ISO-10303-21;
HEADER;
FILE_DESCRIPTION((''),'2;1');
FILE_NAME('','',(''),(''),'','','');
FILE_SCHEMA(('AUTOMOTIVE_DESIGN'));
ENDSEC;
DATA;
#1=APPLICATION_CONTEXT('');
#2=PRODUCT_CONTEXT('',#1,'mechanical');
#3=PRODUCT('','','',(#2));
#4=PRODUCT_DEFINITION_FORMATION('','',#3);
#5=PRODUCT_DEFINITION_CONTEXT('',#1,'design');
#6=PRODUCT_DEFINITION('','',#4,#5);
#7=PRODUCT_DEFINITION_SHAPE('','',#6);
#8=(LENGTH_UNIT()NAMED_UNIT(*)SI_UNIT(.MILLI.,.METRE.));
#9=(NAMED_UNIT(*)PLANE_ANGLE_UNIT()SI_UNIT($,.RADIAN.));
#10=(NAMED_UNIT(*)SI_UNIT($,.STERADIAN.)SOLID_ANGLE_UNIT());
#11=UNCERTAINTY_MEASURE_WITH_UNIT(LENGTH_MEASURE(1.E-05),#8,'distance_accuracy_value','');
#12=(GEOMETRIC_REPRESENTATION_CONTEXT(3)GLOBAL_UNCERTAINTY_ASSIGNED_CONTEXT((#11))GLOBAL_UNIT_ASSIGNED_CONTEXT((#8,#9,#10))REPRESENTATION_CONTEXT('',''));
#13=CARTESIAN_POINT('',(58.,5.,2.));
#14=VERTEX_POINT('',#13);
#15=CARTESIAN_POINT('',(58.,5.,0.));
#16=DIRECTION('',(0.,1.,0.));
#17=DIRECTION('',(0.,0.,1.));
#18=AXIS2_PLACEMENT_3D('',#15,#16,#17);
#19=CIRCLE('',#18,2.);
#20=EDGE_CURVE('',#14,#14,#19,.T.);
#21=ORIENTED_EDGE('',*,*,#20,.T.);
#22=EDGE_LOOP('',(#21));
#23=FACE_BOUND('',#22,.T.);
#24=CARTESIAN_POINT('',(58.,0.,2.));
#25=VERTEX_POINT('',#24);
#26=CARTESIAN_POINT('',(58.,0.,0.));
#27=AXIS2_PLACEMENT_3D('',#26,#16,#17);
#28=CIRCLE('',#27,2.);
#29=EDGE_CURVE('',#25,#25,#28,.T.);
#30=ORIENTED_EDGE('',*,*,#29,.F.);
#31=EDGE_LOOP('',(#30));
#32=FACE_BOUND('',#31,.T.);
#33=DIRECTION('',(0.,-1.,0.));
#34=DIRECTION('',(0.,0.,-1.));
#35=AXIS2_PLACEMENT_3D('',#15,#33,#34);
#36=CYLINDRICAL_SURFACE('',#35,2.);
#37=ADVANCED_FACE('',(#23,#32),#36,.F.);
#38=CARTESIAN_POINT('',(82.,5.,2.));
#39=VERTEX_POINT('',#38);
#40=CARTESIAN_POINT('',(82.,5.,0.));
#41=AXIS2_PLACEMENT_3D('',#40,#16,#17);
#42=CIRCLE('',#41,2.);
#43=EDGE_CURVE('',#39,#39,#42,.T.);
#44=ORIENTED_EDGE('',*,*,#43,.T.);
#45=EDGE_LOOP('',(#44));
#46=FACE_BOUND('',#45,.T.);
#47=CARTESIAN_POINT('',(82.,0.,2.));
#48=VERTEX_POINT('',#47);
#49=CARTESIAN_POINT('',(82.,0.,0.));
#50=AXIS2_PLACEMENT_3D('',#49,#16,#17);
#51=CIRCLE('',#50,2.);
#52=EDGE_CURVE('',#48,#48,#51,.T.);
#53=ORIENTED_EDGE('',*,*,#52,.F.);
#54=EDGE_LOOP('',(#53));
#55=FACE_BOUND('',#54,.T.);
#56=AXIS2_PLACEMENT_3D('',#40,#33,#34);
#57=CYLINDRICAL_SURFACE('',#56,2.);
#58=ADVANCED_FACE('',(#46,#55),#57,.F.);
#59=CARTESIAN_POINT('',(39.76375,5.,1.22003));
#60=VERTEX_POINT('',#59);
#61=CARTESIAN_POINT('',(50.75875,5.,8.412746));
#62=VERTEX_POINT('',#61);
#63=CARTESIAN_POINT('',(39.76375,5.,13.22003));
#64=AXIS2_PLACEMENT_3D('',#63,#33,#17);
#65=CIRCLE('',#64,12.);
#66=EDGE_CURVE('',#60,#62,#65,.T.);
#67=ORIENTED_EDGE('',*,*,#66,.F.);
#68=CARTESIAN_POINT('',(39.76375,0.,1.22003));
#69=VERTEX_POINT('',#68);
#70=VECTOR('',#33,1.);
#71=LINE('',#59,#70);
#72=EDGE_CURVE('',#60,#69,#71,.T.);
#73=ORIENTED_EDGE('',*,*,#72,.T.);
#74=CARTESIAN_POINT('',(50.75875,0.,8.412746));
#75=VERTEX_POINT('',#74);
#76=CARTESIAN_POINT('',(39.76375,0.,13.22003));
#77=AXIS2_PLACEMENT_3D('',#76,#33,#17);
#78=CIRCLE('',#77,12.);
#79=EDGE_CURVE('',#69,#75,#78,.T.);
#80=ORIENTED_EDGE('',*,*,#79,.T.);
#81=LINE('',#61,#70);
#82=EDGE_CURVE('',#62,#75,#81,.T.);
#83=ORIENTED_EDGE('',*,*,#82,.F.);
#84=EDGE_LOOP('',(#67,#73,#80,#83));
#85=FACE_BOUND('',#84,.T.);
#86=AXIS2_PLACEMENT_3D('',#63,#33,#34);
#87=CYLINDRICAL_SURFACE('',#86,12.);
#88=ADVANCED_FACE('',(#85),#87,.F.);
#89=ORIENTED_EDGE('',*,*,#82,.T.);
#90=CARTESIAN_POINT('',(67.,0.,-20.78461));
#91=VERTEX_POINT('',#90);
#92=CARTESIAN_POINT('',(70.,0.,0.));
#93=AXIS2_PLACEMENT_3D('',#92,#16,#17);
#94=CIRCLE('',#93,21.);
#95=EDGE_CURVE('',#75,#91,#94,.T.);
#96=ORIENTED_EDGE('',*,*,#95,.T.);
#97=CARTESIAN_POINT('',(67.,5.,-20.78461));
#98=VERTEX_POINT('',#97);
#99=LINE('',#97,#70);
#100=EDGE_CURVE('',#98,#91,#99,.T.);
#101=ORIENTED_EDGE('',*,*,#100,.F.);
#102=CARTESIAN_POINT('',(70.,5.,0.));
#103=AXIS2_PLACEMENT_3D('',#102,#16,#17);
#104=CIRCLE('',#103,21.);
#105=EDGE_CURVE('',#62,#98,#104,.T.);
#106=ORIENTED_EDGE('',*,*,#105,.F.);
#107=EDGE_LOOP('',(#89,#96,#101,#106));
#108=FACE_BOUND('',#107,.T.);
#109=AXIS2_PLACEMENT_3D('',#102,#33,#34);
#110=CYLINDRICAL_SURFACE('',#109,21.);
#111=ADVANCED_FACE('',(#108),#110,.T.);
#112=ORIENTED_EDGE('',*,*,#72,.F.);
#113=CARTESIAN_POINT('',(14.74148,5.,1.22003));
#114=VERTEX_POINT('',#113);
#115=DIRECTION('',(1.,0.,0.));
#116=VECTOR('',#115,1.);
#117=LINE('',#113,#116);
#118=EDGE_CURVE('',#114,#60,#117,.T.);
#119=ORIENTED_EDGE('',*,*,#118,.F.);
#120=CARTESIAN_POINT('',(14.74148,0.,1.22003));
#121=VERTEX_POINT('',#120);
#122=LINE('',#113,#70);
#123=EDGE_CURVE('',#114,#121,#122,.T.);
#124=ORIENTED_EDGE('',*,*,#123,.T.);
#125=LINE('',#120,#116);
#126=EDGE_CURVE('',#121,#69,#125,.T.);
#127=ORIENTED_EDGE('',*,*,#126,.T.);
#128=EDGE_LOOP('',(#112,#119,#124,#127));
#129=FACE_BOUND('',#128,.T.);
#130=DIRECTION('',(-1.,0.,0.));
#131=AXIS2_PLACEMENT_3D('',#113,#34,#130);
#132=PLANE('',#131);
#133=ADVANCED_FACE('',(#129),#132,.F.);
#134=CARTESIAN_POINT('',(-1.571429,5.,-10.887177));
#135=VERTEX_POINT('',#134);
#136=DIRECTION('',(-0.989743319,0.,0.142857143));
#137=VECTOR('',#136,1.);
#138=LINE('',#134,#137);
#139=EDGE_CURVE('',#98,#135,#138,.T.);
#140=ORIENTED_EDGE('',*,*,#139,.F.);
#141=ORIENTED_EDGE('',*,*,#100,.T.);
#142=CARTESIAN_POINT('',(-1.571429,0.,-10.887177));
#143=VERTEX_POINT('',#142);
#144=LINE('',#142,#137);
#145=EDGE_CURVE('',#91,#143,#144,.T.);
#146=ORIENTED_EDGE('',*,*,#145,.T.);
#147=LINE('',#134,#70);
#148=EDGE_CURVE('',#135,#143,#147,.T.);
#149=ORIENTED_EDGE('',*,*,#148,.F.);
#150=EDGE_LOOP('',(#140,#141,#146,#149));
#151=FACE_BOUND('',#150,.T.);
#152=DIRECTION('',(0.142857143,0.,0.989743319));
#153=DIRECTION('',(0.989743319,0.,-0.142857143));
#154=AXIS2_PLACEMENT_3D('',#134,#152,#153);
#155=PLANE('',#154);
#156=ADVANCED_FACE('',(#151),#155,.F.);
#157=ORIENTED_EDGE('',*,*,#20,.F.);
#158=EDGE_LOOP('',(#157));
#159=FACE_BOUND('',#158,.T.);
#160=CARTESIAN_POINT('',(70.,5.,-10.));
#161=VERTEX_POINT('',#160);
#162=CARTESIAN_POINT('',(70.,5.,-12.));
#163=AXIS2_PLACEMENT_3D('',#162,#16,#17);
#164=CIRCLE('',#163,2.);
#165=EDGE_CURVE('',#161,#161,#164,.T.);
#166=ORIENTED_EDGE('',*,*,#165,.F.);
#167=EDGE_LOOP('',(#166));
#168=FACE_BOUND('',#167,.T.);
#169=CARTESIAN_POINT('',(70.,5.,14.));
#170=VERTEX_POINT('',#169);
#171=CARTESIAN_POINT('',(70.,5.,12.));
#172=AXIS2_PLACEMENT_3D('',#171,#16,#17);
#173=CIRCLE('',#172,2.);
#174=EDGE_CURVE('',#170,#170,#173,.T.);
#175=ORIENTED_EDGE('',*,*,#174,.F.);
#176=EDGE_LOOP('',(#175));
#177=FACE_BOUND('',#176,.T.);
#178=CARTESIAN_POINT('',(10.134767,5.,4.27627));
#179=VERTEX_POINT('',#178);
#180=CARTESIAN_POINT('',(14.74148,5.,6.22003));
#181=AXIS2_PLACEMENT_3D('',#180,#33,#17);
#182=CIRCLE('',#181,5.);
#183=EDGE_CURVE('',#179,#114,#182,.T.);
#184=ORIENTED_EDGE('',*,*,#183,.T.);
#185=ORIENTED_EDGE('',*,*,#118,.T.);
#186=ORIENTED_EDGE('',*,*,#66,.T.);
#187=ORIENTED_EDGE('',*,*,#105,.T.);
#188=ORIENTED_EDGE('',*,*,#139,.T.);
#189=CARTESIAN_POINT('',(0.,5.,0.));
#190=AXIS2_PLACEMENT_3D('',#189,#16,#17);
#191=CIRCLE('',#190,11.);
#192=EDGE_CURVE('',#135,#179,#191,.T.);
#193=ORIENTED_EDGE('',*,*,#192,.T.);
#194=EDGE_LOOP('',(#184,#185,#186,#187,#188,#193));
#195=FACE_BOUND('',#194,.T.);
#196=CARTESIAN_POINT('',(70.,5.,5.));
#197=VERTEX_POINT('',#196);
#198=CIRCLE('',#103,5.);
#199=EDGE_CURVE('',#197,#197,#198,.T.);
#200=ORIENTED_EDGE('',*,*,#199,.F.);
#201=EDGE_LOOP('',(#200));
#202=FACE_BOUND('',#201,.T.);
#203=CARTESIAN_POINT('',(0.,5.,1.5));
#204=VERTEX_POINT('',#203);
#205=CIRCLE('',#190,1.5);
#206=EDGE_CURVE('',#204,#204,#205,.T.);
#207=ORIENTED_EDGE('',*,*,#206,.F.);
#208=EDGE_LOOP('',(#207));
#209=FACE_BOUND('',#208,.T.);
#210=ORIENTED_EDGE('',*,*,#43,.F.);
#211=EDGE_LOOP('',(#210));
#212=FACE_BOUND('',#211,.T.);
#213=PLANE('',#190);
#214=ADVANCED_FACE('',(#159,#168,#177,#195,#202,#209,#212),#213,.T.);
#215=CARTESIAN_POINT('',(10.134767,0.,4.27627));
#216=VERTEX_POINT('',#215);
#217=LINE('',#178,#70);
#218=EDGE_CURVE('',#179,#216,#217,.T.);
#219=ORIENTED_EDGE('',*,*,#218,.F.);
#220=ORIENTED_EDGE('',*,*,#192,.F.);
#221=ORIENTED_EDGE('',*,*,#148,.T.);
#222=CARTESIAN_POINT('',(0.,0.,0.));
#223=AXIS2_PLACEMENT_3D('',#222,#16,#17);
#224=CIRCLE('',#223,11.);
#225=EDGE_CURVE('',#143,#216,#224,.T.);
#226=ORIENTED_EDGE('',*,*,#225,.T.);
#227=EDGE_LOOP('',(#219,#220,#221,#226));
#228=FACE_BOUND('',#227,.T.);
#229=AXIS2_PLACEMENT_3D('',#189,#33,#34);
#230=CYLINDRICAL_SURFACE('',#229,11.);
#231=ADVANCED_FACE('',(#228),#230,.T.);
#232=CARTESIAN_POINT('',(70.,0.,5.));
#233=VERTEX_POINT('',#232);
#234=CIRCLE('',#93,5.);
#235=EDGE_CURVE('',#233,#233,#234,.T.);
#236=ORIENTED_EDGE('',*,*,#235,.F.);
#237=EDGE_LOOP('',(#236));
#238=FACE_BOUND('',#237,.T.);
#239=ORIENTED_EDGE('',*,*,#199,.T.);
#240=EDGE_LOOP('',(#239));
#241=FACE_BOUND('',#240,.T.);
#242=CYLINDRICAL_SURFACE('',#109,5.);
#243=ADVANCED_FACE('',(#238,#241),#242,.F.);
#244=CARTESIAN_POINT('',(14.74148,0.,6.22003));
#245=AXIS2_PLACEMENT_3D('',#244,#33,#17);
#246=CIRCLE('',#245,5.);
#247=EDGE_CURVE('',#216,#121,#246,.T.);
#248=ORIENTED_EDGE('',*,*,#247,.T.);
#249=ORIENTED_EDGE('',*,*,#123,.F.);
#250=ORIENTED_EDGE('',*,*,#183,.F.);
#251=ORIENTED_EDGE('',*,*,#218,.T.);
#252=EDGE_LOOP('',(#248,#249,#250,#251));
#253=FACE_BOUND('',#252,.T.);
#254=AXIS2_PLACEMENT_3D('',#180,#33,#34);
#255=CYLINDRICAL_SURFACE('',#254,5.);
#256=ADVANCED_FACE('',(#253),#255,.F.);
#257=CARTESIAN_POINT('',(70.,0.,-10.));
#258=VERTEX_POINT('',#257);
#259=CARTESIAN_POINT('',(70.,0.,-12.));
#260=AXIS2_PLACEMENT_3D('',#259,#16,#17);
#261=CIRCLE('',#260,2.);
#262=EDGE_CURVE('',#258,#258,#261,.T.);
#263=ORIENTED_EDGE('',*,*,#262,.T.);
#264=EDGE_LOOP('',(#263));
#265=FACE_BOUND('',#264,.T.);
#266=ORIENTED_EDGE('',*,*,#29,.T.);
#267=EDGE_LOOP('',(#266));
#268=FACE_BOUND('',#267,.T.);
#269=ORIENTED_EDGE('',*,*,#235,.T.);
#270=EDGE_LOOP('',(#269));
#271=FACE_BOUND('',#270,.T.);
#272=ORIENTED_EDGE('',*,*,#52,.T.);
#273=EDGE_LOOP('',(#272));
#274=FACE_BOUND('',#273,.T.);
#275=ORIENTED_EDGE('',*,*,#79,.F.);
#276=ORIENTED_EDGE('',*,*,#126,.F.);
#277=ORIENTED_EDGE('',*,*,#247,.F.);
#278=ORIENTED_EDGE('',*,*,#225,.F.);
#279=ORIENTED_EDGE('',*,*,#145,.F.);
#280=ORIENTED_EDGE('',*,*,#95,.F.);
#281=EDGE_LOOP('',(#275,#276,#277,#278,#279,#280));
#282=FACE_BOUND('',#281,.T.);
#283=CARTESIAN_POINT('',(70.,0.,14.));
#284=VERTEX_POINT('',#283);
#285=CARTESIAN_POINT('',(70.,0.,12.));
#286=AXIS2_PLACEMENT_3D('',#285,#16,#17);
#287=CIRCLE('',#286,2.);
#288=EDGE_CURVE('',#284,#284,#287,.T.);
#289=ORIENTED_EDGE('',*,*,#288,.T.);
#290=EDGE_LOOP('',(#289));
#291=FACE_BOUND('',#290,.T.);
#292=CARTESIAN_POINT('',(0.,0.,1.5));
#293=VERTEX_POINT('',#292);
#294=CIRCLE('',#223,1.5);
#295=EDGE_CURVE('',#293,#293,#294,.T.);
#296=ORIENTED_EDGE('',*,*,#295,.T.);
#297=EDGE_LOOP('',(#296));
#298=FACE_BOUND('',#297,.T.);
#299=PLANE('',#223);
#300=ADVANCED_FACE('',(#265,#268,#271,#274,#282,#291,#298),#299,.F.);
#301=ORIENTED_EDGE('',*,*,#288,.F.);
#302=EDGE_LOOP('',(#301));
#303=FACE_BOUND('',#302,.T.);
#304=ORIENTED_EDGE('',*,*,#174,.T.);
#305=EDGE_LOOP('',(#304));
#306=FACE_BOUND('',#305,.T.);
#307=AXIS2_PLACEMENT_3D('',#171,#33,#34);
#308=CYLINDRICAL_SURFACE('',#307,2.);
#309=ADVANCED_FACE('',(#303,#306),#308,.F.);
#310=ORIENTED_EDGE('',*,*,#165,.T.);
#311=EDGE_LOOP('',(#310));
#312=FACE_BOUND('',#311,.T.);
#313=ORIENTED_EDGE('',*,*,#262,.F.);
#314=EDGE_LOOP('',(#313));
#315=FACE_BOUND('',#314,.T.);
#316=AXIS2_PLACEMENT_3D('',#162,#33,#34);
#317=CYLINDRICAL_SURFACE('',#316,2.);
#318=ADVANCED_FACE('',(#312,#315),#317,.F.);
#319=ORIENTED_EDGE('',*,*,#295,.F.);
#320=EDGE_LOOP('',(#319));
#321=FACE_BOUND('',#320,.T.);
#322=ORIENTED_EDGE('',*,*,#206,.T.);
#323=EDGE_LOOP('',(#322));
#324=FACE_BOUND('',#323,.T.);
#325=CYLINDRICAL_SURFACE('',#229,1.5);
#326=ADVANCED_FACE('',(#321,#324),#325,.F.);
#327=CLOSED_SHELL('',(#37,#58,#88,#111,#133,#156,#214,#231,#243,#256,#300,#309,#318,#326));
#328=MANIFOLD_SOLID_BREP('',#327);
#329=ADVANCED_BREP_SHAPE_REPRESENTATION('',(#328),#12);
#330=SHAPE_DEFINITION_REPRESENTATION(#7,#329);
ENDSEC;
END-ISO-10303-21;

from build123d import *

# Parameters (mm, degrees)
SKETCH1_R           = 1.5
SKETCH1_R_2         = 5
SKETCH1_R_3         = 2
BOSS_EXTRUDE1_DEPTH = 5


with BuildPart() as part:
    # Sketch1 → Boss-Extrude1 (new body)
    with BuildSketch(Plane(origin=(0, 0, 0), x_dir=(1, 0, 0), z_dir=(0, 1, 0))):
        with BuildLine():
            Line((-1.571428571, 10.887176505), (67, 20.784609691))
            ThreePointArc((67, 20.784609691), (88.351830916, -10.208344725), (50.75875, -8.412746189))
            ThreePointArc((50.75875, -8.412746189), (46.333095385, -3.17793327), (39.76375, -1.220029725))
            Line((39.76375, -1.220029725), (14.741479919, -1.220029725))
            ThreePointArc((14.741479919, -1.220029725), (11.977316072, -2.05356861), (10.134767445, -4.276270436))
            ThreePointArc((10.134767445, -4.276270436), (-8.707193804, -6.721962218), (-1.571428571, 10.887176505))
        make_face()
        Circle(SKETCH1_R, mode=Mode.SUBTRACT)
        with Locations((70, 0)):
            Circle(SKETCH1_R_2, mode=Mode.SUBTRACT)
        with Locations((70, 12)):
            Circle(SKETCH1_R_3, mode=Mode.SUBTRACT)
        with Locations((82, 0)):
            Circle(SKETCH1_R_3, mode=Mode.SUBTRACT)
        with Locations((70, -12)):
            Circle(SKETCH1_R_3, mode=Mode.SUBTRACT)
        with Locations((58, 0)):
            Circle(SKETCH1_R_3, mode=Mode.SUBTRACT)
    extrude(amount=BOSS_EXTRUDE1_DEPTH)


solid = part.part
